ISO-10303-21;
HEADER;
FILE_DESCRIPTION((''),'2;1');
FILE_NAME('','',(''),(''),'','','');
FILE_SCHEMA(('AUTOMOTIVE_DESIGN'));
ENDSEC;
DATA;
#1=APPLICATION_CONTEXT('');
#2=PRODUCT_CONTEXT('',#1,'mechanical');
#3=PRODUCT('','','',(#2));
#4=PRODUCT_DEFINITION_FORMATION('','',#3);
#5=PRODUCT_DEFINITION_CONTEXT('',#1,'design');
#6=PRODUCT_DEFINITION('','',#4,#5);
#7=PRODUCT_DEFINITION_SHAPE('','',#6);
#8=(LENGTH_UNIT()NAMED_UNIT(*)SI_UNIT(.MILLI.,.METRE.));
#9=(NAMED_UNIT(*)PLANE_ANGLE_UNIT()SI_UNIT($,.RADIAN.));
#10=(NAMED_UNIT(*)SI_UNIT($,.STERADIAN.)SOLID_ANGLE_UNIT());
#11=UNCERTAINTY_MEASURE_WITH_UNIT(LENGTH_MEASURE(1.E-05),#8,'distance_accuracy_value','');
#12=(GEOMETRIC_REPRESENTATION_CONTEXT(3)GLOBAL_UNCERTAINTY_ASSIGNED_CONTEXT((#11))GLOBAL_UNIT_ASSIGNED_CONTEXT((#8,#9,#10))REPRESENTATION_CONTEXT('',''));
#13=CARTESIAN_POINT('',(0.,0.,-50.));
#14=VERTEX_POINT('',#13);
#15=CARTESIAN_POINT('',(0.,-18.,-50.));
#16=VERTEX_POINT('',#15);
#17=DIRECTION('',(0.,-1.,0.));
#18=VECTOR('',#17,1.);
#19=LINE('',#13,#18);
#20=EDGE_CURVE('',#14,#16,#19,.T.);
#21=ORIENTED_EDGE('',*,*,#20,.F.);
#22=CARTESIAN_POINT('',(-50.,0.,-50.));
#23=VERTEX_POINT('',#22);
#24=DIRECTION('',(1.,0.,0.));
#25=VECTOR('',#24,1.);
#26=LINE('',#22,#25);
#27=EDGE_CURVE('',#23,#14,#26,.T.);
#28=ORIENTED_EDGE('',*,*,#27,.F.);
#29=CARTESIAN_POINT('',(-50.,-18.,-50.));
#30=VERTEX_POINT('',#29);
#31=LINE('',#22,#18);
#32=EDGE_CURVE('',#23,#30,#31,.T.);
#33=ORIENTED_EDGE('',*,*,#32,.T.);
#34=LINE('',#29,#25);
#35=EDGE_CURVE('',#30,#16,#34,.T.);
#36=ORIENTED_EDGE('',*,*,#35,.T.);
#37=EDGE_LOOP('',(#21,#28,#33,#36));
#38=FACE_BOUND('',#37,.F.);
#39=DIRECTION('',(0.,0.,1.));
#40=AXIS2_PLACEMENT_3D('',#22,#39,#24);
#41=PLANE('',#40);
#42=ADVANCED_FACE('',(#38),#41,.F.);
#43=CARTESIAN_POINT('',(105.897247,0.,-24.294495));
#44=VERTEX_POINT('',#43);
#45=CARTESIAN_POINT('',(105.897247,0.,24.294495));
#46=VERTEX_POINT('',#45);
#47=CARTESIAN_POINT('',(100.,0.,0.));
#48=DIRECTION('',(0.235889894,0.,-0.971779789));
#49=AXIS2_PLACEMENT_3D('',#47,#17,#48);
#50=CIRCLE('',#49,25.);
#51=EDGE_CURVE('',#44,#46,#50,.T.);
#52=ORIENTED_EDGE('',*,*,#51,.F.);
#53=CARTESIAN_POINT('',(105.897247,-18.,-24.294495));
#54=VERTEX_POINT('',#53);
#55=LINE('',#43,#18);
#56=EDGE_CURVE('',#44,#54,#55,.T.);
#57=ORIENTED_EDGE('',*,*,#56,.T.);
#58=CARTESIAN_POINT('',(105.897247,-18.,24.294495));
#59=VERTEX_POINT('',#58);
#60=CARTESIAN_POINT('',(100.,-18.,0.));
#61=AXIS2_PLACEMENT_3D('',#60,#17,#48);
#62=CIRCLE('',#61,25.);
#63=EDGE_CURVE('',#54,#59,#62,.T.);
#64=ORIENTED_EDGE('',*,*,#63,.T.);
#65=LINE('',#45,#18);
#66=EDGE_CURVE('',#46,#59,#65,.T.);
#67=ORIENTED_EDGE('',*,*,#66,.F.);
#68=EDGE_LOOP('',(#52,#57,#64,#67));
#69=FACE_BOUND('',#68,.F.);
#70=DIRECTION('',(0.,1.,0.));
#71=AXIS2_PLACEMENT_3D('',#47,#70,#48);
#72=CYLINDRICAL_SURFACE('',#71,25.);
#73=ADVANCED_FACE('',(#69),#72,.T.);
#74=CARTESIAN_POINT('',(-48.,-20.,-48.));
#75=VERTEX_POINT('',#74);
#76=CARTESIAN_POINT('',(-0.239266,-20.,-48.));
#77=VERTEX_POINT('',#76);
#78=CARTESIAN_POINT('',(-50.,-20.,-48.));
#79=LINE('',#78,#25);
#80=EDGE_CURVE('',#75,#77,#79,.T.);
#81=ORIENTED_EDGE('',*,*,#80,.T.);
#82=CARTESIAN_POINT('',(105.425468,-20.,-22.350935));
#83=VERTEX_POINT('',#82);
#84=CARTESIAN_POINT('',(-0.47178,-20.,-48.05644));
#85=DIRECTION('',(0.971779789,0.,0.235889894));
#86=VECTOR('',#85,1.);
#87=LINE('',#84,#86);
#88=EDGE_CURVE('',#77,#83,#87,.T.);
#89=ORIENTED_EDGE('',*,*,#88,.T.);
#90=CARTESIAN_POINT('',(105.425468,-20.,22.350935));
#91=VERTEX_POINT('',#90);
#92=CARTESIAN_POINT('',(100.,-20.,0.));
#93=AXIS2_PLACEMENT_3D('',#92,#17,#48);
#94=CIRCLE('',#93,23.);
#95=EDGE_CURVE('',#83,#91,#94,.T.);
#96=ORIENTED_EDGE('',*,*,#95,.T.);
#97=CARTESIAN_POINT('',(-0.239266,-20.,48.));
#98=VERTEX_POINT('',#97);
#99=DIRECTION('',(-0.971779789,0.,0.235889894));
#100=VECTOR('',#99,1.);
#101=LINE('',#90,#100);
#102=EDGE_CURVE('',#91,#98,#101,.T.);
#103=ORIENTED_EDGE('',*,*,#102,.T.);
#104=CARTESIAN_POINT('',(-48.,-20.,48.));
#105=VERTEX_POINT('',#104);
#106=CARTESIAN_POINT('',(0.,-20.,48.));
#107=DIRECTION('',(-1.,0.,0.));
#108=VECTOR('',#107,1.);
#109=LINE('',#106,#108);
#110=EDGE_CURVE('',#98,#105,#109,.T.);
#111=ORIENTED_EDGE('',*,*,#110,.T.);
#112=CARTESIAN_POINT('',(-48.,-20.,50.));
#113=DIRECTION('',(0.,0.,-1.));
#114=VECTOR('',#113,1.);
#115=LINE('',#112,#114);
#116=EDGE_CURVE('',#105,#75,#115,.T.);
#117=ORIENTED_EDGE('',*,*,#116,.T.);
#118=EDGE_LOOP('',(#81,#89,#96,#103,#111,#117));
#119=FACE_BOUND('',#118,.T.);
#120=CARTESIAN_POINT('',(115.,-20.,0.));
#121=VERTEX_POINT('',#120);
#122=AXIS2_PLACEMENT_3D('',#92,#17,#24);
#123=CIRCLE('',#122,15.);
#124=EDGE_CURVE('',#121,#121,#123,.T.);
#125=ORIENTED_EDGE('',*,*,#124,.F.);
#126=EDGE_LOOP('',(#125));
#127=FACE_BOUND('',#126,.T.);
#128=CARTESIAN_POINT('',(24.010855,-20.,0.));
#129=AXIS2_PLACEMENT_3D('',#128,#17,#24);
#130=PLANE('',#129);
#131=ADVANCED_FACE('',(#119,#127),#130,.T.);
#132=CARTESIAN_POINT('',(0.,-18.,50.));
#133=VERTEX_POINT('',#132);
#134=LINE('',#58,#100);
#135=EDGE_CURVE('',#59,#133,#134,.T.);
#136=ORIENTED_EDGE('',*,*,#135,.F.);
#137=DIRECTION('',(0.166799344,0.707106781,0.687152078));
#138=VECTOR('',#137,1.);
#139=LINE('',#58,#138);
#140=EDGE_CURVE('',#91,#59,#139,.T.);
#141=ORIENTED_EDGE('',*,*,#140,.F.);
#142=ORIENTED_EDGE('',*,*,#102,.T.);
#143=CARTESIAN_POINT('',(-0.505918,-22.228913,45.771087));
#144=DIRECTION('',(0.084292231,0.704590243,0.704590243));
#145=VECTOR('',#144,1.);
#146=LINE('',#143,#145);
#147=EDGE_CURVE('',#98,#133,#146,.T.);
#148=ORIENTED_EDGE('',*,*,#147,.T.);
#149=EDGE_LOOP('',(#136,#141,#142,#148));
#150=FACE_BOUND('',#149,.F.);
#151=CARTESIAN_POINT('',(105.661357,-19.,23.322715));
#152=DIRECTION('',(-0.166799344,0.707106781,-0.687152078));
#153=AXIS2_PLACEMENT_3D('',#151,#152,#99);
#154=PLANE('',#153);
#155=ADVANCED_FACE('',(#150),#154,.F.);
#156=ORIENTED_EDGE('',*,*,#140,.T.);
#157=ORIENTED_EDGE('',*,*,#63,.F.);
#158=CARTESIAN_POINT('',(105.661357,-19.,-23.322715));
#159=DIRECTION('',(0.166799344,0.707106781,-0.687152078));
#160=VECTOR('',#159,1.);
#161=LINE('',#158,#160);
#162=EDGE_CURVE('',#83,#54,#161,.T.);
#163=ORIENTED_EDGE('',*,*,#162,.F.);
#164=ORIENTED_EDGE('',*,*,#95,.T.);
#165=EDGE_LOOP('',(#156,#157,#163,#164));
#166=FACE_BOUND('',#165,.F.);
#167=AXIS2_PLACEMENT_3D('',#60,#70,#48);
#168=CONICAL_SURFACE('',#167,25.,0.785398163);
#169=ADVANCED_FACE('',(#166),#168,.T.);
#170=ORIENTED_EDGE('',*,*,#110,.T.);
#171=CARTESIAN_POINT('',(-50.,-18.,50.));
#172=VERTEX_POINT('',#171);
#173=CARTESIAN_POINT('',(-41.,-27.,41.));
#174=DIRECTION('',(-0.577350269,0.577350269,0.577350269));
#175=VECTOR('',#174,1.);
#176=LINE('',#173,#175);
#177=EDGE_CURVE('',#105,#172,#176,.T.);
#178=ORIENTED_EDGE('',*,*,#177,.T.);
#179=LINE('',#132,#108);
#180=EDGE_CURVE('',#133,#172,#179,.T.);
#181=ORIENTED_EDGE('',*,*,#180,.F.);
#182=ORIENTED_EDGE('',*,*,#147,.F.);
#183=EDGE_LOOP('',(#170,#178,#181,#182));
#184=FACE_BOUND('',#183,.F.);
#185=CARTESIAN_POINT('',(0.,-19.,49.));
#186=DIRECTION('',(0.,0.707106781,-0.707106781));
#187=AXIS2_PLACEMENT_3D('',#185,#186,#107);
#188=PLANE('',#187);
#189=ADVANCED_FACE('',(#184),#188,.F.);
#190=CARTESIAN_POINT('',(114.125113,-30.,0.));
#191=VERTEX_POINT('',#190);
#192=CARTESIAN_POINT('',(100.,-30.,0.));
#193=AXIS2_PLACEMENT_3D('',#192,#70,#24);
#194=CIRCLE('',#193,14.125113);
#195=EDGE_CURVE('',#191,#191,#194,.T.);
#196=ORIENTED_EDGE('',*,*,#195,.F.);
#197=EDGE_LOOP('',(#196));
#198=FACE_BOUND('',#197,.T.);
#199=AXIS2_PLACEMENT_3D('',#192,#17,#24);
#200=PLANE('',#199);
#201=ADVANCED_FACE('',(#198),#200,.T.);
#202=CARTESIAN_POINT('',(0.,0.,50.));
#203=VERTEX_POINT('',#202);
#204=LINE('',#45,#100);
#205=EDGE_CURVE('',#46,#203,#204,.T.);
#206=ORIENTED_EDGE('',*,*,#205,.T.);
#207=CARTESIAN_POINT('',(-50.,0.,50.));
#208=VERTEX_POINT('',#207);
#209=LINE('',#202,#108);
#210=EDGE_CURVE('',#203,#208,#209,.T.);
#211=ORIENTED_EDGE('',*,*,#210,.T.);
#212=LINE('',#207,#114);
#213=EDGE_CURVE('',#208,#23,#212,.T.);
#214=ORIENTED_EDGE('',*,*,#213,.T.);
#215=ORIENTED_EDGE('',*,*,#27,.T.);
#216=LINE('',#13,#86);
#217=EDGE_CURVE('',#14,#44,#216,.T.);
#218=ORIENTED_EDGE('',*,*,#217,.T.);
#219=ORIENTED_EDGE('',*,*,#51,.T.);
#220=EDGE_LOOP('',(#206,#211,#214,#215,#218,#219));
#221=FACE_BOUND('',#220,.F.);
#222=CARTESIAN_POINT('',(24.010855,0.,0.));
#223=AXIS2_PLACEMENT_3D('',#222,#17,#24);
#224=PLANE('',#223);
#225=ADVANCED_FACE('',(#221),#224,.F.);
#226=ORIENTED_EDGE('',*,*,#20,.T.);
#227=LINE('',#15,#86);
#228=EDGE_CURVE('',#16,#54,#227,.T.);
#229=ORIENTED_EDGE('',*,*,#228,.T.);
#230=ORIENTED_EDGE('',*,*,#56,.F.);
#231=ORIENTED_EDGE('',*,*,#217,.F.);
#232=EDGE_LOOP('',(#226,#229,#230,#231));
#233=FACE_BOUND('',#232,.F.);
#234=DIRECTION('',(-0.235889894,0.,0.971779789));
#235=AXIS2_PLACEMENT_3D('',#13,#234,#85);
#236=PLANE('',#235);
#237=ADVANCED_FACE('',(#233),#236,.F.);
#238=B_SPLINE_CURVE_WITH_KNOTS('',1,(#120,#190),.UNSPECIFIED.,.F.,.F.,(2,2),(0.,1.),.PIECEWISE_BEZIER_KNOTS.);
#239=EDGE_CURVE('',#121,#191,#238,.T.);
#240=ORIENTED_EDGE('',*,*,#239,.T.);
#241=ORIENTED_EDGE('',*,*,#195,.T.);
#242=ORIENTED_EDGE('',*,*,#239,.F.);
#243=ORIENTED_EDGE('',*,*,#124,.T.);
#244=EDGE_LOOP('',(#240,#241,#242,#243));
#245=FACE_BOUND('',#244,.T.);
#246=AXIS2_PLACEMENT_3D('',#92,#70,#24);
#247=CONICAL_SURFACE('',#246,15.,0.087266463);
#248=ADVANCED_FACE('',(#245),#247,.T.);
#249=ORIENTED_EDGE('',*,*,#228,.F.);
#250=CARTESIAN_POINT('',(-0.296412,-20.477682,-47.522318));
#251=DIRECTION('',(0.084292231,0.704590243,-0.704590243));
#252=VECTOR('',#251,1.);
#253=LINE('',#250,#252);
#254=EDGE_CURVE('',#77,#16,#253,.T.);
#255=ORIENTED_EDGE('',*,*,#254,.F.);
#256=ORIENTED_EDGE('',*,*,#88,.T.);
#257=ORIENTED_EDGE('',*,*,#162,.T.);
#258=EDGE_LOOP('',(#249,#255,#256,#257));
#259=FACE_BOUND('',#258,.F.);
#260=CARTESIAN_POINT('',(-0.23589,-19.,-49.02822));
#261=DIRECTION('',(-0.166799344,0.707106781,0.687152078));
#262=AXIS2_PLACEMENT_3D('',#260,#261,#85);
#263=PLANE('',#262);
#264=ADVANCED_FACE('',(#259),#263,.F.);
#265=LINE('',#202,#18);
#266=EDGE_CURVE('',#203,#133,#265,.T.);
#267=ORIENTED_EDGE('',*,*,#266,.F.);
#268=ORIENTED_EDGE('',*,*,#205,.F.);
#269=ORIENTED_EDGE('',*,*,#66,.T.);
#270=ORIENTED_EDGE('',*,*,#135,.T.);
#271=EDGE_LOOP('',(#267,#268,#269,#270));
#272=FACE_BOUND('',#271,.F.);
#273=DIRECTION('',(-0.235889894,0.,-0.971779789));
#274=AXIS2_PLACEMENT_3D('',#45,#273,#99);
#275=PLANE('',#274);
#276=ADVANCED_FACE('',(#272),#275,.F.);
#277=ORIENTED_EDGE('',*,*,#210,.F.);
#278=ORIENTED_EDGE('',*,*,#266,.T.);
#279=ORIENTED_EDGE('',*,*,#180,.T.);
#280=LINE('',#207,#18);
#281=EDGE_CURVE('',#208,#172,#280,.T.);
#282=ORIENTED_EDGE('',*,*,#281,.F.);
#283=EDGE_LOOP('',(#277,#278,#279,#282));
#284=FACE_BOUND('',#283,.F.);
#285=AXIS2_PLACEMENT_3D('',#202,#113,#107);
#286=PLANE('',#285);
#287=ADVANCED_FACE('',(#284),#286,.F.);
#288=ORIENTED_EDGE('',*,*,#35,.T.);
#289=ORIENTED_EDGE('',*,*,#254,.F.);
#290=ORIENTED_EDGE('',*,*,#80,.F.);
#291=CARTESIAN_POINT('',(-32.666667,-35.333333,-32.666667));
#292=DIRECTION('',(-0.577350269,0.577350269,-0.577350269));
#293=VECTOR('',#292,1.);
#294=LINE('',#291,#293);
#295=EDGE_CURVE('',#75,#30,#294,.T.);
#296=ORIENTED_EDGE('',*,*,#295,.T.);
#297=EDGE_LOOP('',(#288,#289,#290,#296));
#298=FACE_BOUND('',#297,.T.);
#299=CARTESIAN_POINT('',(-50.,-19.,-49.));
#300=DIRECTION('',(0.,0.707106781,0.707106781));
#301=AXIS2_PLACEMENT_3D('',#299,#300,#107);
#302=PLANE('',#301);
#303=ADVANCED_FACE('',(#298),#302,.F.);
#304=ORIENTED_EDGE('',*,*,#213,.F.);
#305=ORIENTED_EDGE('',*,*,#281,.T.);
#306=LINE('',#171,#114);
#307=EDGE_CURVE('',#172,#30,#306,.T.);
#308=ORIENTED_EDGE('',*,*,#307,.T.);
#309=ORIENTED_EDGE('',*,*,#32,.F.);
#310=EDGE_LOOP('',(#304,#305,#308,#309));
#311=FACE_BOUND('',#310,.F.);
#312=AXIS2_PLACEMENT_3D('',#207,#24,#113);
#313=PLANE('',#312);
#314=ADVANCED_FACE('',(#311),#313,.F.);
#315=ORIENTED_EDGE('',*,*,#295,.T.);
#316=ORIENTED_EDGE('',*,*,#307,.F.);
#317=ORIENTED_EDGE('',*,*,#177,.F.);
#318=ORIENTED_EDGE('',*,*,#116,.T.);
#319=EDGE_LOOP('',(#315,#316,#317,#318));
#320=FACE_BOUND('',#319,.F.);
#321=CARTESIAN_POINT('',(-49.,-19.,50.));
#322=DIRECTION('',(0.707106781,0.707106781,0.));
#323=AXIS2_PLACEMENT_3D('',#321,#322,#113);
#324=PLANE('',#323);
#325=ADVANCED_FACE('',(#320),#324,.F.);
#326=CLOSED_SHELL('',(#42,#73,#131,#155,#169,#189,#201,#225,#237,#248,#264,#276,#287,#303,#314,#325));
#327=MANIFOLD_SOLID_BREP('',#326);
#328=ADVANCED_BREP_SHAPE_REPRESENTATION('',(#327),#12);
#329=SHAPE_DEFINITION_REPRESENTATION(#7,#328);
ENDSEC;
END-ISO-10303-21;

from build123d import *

# Parameters (mm, degrees)
F1_DEPTH = 20
F2_R     = 15
F3_DEPTH = 10
F3_TAPER = 5
F4_SIZE  = 2


with BuildPart() as f1:
    # F0 (on Front) → F1 (new body)
    with BuildSketch(Plane.XZ):
        with BuildLine():
            Line((0, -50), (105.8972473589, -24.2944947177))
            ThreePointArc((105.8972473589, -24.2944947177), (125, 0), (105.8972473589, 24.2944947177))
            Line((105.8972473589, 24.2944947177), (0, 50))
            Line((0, 50), (-50, 50))
            Line((-50, 50), (-50, -50))
            Line((-50, -50), (0, -50))
        make_face()
    extrude(amount=F1_DEPTH)

    # F2 (on face) → F3 (join)
    with BuildSketch(Plane.XZ.offset(20)):
        with Locations((100, 0)):
            Circle(F2_R)
    extrude(amount=F3_DEPTH, taper=F3_TAPER)

    # F4
    f4_edges = [f1.edges().sort_by_distance(p)[0] for p in [
        (52.948624, -20, 37.147247),
        (-25, -20, 50),
        (-50, -20, 0),
        (-25, -20, -50),
        (52.948624, -20, -37.147247),
        (125, -20, 0),
    ]]
    chamfer(f4_edges, length=F4_SIZE)


solid = f1.part
